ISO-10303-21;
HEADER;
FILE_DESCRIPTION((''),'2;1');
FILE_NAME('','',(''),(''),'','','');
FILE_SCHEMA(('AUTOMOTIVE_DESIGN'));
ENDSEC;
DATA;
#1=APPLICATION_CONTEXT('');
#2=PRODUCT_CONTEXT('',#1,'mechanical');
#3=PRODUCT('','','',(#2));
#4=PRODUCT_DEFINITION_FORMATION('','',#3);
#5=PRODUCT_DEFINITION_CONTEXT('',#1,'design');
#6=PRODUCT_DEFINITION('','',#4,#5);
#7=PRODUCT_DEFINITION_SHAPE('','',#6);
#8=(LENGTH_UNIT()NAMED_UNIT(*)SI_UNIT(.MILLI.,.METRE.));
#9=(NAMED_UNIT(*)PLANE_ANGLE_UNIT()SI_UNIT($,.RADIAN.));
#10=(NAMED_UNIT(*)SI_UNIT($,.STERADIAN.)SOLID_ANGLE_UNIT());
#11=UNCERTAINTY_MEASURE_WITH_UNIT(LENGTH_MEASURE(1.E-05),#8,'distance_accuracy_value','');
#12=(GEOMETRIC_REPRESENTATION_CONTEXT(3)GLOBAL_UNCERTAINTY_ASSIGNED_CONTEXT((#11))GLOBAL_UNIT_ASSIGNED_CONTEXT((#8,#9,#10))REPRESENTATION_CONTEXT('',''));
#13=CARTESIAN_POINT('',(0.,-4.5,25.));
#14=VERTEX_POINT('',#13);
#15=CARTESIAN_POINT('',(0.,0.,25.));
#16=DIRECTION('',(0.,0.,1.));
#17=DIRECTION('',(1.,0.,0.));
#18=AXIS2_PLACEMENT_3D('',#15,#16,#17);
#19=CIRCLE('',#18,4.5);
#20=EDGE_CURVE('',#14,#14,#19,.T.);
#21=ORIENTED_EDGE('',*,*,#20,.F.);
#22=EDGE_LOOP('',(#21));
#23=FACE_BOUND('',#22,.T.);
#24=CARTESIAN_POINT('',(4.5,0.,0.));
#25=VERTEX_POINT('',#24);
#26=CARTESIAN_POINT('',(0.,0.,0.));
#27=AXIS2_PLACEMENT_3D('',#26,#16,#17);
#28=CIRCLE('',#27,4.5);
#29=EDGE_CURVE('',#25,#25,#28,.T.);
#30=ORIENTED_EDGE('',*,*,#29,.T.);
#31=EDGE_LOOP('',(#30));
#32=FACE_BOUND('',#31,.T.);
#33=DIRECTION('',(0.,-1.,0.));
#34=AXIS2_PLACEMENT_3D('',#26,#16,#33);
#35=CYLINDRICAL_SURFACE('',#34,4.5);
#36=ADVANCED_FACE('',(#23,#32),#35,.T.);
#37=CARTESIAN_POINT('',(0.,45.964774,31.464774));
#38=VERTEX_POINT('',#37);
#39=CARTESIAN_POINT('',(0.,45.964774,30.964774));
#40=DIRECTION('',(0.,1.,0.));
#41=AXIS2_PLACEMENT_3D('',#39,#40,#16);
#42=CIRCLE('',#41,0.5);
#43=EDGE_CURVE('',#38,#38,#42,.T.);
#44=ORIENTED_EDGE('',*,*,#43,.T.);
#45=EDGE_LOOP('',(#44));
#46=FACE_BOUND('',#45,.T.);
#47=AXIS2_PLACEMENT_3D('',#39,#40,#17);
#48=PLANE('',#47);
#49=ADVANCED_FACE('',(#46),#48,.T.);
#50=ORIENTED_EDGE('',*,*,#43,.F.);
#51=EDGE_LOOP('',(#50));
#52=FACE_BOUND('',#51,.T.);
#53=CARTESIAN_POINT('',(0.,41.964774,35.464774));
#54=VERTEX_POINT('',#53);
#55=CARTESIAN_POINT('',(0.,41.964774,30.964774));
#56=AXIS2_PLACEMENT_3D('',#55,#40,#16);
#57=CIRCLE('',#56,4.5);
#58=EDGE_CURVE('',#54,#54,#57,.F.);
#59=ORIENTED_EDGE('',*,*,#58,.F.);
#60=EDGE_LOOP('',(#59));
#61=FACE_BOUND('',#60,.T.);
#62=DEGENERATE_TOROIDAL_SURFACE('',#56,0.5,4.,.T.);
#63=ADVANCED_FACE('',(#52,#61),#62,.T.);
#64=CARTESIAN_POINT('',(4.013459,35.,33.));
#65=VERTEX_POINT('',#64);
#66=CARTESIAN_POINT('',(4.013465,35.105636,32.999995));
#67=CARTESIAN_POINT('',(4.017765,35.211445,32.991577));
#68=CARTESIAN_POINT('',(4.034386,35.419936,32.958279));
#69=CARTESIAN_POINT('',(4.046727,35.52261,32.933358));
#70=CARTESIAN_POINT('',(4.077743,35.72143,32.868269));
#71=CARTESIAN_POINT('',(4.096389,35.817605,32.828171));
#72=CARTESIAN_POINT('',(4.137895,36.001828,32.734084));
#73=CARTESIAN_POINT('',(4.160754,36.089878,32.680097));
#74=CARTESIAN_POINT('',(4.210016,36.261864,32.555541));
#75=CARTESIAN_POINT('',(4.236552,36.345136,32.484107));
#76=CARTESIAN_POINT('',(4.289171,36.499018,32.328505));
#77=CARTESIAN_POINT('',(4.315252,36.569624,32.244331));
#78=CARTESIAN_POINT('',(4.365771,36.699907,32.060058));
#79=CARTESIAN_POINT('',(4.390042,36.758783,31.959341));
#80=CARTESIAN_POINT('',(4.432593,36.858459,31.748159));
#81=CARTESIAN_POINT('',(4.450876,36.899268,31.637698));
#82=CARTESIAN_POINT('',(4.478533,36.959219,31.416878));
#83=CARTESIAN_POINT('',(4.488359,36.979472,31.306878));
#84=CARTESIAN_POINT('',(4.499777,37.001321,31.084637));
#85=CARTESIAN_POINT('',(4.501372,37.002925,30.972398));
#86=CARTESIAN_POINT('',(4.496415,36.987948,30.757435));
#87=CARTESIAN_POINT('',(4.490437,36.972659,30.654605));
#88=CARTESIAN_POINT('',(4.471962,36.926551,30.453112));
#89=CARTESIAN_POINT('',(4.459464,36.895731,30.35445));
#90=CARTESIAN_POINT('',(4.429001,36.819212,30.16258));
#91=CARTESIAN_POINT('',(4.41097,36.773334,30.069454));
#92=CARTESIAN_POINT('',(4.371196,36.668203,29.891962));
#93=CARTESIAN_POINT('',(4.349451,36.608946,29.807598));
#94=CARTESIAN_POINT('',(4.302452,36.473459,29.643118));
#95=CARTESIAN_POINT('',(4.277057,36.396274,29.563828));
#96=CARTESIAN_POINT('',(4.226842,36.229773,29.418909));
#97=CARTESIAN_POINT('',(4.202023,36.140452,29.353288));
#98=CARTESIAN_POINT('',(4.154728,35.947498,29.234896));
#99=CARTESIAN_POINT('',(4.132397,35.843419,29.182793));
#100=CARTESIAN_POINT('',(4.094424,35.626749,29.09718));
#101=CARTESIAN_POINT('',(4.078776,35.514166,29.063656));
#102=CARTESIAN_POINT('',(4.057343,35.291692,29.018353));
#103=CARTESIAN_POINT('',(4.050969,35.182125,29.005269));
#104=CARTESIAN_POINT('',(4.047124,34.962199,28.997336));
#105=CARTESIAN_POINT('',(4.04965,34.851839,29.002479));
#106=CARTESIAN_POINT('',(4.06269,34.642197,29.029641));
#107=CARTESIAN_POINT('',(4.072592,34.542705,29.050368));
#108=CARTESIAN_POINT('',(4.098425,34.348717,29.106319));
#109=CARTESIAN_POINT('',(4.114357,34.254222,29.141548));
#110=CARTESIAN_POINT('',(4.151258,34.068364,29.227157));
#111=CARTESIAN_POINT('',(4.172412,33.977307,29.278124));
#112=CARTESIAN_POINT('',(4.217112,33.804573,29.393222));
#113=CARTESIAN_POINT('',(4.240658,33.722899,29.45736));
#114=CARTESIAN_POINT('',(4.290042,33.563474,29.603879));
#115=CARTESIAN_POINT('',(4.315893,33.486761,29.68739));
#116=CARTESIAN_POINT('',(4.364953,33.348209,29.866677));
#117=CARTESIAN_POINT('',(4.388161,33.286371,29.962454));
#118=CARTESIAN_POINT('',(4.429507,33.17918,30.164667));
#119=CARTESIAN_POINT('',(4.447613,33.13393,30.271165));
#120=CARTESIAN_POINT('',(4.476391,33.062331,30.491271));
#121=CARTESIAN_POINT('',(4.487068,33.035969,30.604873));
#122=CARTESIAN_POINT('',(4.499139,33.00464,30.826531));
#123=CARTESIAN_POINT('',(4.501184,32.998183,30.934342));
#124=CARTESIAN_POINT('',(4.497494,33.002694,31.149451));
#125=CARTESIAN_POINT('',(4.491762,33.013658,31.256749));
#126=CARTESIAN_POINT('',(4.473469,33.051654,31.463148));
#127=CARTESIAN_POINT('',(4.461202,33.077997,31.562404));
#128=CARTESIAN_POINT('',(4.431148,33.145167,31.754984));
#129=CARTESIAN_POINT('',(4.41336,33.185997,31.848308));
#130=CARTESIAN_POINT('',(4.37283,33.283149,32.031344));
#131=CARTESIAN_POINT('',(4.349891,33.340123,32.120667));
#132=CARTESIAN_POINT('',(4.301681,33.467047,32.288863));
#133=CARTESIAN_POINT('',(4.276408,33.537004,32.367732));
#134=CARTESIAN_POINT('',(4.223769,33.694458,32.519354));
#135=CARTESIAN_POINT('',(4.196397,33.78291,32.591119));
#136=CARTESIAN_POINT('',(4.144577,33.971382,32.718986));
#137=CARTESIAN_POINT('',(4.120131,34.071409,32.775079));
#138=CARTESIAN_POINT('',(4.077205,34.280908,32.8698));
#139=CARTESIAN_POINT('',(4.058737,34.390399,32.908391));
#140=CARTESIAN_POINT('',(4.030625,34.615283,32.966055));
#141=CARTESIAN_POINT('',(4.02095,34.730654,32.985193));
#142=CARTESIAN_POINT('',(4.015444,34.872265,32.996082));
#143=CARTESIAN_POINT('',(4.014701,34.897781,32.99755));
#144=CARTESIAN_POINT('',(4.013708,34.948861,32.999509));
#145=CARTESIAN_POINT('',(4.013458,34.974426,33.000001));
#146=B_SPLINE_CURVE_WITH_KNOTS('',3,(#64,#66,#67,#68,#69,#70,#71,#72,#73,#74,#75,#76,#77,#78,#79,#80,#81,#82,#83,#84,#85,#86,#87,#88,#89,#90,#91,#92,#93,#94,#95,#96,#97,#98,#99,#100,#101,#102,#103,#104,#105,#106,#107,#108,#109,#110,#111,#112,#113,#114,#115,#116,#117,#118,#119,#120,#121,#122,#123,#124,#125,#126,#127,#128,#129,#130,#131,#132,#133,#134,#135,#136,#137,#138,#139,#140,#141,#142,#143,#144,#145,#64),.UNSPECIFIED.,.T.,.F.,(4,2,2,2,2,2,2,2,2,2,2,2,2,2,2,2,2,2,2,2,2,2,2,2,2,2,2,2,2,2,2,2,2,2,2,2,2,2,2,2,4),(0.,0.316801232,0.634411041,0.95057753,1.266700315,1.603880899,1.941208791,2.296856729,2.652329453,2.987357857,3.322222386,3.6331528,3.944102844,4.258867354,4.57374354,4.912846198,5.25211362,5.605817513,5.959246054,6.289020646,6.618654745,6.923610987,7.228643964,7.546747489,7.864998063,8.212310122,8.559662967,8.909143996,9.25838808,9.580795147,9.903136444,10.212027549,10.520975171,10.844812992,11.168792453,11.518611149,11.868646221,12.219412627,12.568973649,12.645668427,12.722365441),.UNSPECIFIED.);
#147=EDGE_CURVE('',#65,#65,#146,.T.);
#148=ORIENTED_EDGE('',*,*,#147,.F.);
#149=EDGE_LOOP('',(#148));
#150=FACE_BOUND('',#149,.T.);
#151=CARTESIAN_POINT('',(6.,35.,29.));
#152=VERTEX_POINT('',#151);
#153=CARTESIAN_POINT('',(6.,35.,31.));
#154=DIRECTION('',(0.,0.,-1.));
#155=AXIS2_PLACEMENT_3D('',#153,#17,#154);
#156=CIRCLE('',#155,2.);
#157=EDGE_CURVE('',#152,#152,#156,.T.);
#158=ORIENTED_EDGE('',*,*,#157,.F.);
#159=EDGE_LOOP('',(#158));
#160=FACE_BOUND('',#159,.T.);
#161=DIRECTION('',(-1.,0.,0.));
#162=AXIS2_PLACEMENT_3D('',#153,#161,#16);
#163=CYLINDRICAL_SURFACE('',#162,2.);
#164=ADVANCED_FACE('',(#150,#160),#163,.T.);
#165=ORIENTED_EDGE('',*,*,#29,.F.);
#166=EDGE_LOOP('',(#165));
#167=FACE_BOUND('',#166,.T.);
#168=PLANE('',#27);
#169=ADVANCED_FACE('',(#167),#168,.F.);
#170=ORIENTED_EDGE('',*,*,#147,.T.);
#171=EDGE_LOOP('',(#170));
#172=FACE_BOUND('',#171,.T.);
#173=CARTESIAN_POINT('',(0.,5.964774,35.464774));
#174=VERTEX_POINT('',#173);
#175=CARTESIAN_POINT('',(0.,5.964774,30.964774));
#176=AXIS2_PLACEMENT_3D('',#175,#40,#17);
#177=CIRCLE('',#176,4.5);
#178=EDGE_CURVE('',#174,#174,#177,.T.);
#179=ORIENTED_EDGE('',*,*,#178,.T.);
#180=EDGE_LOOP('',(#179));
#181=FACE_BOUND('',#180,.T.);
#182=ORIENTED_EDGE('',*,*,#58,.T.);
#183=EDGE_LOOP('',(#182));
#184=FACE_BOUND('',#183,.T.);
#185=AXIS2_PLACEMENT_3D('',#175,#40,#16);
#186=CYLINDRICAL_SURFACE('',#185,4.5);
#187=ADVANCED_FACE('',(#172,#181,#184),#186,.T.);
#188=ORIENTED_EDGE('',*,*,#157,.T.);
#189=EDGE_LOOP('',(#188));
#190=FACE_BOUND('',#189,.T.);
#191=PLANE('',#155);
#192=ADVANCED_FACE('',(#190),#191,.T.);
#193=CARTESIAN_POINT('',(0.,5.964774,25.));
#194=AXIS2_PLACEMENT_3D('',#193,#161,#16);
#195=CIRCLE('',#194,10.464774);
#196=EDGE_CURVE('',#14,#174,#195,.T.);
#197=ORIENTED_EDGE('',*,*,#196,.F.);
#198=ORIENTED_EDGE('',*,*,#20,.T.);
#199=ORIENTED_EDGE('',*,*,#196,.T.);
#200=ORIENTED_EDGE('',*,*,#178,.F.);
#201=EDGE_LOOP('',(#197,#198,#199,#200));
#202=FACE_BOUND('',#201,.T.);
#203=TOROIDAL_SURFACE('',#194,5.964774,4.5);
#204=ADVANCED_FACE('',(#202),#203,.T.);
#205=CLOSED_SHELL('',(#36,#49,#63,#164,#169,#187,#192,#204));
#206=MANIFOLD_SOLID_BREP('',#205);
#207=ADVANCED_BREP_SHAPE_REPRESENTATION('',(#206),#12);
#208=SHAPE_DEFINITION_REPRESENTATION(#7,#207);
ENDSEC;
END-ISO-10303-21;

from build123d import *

# Parameters (mm, degrees)
SKETCH2_R           = 4.5
FILLET2_R           = 4
SKETCH4_R           = 2
BOSS_EXTRUDE1_DEPTH = 6


with BuildPart() as part:
    # Sweep3: sweep along a path in Sketch3
    with BuildLine(Plane(origin=(0, 0, 0), x_dir=(0, 0, -1), z_dir=(1, 0, 0))) as sweep3_path:
        Line((0, 0), (-25, 0))
        ThreePointArc((-25, 0), (-29.217732486, 1.747041998), (-30.964774484, 5.964774484))
        Line((-30.964774484, 5.964774484), (-30.964774484, 45.964774484))
    # Sketch2 → Sweep3 (sweep)
    with BuildSketch(Plane.XY):
        Circle(SKETCH2_R)
    sweep(path=sweep3_path.line)

    # Fillet2
    fillet2_edges = [part.edges().sort_by_distance(p)[0] for p in [
        (-4.5, 45.964774484, 30.964774484),
    ]]
    fillet(fillet2_edges, radius=FILLET2_R)

    # Sketch4 → Boss-Extrude1 (add)
    with BuildSketch(Plane(origin=(0, 0, 0), x_dir=(0, 0, -1), z_dir=(1, 0, 0))):
        with Locations((-31, 35)):
            Circle(SKETCH4_R)
    extrude(amount=BOSS_EXTRUDE1_DEPTH)


solid = part.part
